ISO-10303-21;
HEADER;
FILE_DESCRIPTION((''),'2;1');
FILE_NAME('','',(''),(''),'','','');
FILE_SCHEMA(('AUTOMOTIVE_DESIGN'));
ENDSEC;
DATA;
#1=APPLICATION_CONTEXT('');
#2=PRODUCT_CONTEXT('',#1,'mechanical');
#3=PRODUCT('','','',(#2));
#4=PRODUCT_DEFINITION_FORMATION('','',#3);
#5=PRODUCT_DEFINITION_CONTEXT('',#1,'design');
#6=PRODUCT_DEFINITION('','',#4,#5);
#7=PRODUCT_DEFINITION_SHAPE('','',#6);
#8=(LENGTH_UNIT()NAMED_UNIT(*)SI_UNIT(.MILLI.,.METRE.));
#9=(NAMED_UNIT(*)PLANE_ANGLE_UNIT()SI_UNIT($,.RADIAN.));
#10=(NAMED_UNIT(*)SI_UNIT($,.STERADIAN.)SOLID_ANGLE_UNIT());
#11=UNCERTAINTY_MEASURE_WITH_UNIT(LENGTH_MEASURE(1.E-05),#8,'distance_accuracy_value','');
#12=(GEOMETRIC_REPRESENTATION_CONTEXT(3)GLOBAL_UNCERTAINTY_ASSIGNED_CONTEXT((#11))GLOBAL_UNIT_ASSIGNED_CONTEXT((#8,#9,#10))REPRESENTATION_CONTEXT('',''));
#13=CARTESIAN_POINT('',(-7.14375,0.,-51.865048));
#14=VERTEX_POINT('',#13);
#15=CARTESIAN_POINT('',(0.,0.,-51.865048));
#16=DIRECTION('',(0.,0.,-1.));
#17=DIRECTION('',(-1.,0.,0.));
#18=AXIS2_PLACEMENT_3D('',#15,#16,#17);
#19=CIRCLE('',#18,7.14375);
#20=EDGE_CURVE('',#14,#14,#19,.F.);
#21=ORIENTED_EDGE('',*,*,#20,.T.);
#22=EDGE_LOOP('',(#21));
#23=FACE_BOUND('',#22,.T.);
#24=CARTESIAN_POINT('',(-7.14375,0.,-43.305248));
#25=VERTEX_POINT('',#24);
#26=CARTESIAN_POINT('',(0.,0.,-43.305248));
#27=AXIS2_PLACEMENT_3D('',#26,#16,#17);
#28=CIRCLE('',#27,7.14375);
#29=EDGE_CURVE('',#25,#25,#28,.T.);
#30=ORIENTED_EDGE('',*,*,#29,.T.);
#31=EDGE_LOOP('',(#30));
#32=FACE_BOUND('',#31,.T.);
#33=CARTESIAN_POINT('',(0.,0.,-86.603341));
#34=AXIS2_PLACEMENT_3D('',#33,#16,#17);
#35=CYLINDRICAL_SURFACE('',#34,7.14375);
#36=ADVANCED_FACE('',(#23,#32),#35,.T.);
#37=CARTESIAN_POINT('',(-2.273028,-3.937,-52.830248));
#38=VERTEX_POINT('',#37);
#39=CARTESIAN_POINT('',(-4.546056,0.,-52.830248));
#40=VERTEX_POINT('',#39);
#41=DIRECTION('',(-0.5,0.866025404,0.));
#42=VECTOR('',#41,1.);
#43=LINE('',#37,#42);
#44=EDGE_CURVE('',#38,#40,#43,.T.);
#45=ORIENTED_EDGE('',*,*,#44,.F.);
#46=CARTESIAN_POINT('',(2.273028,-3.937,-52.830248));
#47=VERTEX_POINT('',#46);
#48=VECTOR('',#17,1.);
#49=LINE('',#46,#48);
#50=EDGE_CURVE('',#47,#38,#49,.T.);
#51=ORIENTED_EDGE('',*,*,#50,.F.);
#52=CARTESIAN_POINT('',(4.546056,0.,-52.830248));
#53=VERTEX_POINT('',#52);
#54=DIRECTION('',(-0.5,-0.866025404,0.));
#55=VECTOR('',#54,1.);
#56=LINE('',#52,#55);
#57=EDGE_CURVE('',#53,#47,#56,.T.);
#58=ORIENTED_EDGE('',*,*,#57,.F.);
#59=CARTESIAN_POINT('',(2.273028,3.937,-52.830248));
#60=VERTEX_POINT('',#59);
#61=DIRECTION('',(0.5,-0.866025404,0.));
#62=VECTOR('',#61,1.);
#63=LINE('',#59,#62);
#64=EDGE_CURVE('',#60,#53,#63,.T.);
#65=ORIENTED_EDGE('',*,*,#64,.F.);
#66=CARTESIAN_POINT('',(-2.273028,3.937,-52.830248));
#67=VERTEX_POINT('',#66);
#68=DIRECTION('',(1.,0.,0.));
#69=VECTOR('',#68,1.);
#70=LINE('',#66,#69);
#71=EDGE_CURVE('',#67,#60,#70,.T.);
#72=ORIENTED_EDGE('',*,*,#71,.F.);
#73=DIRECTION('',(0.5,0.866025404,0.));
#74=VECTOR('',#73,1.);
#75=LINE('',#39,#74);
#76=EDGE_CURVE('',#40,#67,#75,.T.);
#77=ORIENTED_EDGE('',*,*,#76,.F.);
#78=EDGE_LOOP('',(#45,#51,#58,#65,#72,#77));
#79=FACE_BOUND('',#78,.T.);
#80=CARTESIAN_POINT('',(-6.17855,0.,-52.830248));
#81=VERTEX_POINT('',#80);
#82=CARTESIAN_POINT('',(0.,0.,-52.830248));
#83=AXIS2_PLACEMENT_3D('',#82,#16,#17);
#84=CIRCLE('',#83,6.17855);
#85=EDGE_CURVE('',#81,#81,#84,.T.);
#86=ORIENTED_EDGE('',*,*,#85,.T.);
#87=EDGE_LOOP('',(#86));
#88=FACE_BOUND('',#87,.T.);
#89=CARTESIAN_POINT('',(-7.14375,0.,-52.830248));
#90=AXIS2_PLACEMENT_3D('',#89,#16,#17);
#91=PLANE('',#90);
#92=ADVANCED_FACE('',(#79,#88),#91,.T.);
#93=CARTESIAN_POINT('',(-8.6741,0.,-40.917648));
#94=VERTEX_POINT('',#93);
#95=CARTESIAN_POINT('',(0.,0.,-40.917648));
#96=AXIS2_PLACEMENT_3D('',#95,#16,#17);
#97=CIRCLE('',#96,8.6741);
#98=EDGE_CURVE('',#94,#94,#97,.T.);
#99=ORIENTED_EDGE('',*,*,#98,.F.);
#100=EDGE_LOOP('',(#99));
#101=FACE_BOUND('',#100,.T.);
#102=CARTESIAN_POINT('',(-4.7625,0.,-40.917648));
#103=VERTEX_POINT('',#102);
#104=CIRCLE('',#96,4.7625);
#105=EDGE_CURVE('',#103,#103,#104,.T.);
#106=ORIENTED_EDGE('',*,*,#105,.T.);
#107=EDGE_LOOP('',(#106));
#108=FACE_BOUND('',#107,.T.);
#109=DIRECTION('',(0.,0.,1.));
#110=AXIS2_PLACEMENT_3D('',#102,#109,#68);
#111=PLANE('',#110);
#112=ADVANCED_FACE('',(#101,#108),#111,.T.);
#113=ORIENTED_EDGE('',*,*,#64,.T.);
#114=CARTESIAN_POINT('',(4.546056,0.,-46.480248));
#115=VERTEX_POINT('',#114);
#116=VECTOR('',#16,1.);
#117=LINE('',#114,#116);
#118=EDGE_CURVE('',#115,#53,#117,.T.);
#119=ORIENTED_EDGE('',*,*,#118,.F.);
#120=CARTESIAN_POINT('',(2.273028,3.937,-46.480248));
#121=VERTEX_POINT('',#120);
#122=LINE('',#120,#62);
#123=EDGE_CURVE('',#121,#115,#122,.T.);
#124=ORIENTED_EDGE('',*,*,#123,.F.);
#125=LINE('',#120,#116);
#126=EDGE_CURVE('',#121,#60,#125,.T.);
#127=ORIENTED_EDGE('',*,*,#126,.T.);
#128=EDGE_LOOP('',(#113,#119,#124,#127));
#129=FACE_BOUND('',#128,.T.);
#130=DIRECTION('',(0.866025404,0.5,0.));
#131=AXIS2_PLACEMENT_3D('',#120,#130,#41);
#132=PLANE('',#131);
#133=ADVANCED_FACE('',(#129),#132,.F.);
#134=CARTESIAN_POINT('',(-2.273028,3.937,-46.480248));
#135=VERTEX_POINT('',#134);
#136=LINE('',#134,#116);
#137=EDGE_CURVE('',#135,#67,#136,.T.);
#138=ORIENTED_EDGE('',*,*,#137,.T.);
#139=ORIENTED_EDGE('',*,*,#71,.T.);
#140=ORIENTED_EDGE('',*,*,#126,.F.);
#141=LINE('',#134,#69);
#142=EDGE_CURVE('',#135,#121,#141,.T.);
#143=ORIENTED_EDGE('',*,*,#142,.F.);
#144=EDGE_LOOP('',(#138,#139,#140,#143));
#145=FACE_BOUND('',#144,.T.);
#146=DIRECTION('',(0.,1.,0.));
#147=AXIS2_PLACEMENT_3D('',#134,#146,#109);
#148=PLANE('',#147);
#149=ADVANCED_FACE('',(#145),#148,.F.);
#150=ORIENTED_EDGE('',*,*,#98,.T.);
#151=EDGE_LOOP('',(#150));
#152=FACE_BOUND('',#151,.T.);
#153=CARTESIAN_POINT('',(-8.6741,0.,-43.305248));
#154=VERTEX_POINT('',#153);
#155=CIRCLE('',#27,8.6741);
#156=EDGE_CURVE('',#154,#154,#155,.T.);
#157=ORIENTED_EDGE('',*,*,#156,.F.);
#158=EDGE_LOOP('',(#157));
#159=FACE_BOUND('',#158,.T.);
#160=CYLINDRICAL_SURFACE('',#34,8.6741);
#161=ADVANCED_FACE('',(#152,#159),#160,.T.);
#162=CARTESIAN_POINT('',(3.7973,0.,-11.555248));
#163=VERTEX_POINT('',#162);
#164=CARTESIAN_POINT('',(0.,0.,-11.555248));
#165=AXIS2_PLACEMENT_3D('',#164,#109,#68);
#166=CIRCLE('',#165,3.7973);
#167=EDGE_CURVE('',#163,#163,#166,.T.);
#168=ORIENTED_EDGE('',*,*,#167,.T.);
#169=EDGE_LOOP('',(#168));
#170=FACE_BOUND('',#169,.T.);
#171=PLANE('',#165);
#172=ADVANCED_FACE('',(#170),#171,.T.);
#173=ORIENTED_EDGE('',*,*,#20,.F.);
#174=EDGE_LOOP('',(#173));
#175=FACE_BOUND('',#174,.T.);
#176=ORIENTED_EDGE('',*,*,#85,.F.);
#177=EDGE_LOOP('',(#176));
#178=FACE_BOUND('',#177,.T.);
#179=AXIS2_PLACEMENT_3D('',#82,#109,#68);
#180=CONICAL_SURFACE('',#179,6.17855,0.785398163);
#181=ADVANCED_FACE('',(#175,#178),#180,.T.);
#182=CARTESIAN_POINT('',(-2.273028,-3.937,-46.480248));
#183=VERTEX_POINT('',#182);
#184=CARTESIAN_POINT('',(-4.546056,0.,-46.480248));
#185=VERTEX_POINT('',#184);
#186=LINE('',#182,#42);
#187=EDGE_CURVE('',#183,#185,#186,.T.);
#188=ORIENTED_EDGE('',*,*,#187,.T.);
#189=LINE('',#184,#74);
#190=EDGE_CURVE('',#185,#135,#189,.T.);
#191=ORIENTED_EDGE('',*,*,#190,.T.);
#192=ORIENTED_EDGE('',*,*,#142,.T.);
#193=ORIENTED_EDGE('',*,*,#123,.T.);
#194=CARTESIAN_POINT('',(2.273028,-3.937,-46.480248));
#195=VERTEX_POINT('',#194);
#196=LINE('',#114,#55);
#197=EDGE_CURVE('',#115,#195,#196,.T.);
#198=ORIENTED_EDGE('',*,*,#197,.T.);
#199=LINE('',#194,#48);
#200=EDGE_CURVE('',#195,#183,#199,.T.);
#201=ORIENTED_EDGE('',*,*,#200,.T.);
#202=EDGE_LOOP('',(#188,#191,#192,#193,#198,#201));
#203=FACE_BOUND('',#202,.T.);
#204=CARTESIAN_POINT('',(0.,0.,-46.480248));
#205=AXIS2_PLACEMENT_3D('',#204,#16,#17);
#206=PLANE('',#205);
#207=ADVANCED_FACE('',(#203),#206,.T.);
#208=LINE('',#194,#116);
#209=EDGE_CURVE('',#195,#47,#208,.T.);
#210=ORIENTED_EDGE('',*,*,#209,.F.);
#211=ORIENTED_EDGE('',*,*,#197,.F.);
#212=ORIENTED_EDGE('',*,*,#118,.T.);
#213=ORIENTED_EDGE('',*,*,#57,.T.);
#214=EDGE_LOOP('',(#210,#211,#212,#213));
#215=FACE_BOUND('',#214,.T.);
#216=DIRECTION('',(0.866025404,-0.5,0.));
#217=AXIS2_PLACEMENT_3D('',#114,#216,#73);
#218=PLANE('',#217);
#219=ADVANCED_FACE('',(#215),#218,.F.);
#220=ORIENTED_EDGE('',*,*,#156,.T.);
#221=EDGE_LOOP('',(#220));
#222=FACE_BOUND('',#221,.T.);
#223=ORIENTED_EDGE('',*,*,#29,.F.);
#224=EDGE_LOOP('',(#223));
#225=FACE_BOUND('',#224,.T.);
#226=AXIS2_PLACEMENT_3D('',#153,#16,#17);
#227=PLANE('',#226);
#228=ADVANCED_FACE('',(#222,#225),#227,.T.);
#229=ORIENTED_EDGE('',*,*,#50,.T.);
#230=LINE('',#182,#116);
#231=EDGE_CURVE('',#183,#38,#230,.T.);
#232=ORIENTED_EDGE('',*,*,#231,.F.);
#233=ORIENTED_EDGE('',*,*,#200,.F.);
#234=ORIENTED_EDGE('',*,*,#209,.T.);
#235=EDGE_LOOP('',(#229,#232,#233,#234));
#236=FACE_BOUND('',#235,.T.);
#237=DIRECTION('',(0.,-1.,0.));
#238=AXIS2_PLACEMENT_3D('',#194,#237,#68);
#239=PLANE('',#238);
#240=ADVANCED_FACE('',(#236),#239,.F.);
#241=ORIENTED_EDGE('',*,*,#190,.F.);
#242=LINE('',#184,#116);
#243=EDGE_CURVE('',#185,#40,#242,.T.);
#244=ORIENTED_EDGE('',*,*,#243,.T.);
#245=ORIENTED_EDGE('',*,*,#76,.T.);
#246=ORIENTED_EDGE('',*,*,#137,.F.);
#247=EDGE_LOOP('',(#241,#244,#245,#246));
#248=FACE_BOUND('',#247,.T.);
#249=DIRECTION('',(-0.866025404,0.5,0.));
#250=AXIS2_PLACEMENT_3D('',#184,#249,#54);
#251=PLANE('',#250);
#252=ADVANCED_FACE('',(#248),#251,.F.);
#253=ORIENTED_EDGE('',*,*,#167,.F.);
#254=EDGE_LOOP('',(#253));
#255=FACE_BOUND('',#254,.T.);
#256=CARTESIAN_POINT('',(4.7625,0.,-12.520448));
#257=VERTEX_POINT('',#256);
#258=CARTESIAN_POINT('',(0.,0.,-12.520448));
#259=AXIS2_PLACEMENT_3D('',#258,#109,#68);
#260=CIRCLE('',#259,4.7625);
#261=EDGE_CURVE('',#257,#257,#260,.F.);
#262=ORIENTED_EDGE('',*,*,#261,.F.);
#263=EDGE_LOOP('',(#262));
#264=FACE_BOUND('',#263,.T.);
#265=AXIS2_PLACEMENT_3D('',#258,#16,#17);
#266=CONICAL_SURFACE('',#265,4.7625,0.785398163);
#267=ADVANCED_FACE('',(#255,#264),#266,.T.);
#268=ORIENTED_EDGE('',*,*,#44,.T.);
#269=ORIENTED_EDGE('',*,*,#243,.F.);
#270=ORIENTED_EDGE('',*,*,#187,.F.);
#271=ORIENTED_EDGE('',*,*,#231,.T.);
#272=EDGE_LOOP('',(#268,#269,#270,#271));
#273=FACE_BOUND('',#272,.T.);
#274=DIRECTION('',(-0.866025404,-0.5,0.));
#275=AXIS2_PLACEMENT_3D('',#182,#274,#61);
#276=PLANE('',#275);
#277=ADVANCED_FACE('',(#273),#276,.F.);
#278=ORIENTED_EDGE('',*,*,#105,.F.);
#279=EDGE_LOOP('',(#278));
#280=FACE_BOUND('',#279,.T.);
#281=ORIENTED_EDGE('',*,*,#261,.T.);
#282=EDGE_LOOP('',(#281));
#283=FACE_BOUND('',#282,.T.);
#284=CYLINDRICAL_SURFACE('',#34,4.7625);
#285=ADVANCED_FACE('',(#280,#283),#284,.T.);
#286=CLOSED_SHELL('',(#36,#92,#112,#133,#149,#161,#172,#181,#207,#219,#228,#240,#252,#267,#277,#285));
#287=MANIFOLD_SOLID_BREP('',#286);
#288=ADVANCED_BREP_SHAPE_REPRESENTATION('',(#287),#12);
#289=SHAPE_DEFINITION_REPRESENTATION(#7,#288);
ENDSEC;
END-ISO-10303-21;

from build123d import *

# Parameters (mm, degrees)
CUT_EXTRUDE1_DEPTH = 6.35
CHAMFER1_SIZE      = 0.9652
CHAMFER2_SIZE      = 0.9652


with BuildPart() as part:
    # Sketch1 → Revolve1 (revolve)
    with BuildSketch(Plane(origin=(0, 0, 0), x_dir=(1, 0, 0), z_dir=(0, 1, 0))):
        Polygon((0, 52.830247514), (0, 11.555247514), (-4.7625, 11.555247514), (-4.7625, 40.917647514), (-8.6741, 40.917647514), (-8.6741, 43.305247514), (-7.14375, 43.305247514), (-7.14375, 52.830247514), align=None)
    revolve(axis=Axis((0, 0, -86.603340611), (0, 0, 1)))

    # Sketch2 → Cut-Extrude1 (cut)
    with BuildSketch(Plane(origin=(0, 0, -52.830247514), x_dir=(-1, 0, 0), z_dir=(0, 0, -1))):
        Polygon((2.27302801, 3.937), (-2.27302801, 3.937), (-4.54605602, 0), (-2.27302801, -3.937), (2.27302801, -3.937), (4.54605602, 0), align=None)
    extrude(amount=-CUT_EXTRUDE1_DEPTH, mode=Mode.SUBTRACT)

    # Chamfer1
    chamfer1_edges = [part.edges().sort_by_distance(p)[0] for p in [
        (4.7625, 0, -11.555247514),
    ]]
    chamfer(chamfer1_edges, length=CHAMFER1_SIZE)

    # Chamfer2
    chamfer2_edges = [part.edges().sort_by_distance(p)[0] for p in [
        (7.14375, 0, -52.830247514),
    ]]
    chamfer(chamfer2_edges, length=CHAMFER2_SIZE)


solid = part.part
